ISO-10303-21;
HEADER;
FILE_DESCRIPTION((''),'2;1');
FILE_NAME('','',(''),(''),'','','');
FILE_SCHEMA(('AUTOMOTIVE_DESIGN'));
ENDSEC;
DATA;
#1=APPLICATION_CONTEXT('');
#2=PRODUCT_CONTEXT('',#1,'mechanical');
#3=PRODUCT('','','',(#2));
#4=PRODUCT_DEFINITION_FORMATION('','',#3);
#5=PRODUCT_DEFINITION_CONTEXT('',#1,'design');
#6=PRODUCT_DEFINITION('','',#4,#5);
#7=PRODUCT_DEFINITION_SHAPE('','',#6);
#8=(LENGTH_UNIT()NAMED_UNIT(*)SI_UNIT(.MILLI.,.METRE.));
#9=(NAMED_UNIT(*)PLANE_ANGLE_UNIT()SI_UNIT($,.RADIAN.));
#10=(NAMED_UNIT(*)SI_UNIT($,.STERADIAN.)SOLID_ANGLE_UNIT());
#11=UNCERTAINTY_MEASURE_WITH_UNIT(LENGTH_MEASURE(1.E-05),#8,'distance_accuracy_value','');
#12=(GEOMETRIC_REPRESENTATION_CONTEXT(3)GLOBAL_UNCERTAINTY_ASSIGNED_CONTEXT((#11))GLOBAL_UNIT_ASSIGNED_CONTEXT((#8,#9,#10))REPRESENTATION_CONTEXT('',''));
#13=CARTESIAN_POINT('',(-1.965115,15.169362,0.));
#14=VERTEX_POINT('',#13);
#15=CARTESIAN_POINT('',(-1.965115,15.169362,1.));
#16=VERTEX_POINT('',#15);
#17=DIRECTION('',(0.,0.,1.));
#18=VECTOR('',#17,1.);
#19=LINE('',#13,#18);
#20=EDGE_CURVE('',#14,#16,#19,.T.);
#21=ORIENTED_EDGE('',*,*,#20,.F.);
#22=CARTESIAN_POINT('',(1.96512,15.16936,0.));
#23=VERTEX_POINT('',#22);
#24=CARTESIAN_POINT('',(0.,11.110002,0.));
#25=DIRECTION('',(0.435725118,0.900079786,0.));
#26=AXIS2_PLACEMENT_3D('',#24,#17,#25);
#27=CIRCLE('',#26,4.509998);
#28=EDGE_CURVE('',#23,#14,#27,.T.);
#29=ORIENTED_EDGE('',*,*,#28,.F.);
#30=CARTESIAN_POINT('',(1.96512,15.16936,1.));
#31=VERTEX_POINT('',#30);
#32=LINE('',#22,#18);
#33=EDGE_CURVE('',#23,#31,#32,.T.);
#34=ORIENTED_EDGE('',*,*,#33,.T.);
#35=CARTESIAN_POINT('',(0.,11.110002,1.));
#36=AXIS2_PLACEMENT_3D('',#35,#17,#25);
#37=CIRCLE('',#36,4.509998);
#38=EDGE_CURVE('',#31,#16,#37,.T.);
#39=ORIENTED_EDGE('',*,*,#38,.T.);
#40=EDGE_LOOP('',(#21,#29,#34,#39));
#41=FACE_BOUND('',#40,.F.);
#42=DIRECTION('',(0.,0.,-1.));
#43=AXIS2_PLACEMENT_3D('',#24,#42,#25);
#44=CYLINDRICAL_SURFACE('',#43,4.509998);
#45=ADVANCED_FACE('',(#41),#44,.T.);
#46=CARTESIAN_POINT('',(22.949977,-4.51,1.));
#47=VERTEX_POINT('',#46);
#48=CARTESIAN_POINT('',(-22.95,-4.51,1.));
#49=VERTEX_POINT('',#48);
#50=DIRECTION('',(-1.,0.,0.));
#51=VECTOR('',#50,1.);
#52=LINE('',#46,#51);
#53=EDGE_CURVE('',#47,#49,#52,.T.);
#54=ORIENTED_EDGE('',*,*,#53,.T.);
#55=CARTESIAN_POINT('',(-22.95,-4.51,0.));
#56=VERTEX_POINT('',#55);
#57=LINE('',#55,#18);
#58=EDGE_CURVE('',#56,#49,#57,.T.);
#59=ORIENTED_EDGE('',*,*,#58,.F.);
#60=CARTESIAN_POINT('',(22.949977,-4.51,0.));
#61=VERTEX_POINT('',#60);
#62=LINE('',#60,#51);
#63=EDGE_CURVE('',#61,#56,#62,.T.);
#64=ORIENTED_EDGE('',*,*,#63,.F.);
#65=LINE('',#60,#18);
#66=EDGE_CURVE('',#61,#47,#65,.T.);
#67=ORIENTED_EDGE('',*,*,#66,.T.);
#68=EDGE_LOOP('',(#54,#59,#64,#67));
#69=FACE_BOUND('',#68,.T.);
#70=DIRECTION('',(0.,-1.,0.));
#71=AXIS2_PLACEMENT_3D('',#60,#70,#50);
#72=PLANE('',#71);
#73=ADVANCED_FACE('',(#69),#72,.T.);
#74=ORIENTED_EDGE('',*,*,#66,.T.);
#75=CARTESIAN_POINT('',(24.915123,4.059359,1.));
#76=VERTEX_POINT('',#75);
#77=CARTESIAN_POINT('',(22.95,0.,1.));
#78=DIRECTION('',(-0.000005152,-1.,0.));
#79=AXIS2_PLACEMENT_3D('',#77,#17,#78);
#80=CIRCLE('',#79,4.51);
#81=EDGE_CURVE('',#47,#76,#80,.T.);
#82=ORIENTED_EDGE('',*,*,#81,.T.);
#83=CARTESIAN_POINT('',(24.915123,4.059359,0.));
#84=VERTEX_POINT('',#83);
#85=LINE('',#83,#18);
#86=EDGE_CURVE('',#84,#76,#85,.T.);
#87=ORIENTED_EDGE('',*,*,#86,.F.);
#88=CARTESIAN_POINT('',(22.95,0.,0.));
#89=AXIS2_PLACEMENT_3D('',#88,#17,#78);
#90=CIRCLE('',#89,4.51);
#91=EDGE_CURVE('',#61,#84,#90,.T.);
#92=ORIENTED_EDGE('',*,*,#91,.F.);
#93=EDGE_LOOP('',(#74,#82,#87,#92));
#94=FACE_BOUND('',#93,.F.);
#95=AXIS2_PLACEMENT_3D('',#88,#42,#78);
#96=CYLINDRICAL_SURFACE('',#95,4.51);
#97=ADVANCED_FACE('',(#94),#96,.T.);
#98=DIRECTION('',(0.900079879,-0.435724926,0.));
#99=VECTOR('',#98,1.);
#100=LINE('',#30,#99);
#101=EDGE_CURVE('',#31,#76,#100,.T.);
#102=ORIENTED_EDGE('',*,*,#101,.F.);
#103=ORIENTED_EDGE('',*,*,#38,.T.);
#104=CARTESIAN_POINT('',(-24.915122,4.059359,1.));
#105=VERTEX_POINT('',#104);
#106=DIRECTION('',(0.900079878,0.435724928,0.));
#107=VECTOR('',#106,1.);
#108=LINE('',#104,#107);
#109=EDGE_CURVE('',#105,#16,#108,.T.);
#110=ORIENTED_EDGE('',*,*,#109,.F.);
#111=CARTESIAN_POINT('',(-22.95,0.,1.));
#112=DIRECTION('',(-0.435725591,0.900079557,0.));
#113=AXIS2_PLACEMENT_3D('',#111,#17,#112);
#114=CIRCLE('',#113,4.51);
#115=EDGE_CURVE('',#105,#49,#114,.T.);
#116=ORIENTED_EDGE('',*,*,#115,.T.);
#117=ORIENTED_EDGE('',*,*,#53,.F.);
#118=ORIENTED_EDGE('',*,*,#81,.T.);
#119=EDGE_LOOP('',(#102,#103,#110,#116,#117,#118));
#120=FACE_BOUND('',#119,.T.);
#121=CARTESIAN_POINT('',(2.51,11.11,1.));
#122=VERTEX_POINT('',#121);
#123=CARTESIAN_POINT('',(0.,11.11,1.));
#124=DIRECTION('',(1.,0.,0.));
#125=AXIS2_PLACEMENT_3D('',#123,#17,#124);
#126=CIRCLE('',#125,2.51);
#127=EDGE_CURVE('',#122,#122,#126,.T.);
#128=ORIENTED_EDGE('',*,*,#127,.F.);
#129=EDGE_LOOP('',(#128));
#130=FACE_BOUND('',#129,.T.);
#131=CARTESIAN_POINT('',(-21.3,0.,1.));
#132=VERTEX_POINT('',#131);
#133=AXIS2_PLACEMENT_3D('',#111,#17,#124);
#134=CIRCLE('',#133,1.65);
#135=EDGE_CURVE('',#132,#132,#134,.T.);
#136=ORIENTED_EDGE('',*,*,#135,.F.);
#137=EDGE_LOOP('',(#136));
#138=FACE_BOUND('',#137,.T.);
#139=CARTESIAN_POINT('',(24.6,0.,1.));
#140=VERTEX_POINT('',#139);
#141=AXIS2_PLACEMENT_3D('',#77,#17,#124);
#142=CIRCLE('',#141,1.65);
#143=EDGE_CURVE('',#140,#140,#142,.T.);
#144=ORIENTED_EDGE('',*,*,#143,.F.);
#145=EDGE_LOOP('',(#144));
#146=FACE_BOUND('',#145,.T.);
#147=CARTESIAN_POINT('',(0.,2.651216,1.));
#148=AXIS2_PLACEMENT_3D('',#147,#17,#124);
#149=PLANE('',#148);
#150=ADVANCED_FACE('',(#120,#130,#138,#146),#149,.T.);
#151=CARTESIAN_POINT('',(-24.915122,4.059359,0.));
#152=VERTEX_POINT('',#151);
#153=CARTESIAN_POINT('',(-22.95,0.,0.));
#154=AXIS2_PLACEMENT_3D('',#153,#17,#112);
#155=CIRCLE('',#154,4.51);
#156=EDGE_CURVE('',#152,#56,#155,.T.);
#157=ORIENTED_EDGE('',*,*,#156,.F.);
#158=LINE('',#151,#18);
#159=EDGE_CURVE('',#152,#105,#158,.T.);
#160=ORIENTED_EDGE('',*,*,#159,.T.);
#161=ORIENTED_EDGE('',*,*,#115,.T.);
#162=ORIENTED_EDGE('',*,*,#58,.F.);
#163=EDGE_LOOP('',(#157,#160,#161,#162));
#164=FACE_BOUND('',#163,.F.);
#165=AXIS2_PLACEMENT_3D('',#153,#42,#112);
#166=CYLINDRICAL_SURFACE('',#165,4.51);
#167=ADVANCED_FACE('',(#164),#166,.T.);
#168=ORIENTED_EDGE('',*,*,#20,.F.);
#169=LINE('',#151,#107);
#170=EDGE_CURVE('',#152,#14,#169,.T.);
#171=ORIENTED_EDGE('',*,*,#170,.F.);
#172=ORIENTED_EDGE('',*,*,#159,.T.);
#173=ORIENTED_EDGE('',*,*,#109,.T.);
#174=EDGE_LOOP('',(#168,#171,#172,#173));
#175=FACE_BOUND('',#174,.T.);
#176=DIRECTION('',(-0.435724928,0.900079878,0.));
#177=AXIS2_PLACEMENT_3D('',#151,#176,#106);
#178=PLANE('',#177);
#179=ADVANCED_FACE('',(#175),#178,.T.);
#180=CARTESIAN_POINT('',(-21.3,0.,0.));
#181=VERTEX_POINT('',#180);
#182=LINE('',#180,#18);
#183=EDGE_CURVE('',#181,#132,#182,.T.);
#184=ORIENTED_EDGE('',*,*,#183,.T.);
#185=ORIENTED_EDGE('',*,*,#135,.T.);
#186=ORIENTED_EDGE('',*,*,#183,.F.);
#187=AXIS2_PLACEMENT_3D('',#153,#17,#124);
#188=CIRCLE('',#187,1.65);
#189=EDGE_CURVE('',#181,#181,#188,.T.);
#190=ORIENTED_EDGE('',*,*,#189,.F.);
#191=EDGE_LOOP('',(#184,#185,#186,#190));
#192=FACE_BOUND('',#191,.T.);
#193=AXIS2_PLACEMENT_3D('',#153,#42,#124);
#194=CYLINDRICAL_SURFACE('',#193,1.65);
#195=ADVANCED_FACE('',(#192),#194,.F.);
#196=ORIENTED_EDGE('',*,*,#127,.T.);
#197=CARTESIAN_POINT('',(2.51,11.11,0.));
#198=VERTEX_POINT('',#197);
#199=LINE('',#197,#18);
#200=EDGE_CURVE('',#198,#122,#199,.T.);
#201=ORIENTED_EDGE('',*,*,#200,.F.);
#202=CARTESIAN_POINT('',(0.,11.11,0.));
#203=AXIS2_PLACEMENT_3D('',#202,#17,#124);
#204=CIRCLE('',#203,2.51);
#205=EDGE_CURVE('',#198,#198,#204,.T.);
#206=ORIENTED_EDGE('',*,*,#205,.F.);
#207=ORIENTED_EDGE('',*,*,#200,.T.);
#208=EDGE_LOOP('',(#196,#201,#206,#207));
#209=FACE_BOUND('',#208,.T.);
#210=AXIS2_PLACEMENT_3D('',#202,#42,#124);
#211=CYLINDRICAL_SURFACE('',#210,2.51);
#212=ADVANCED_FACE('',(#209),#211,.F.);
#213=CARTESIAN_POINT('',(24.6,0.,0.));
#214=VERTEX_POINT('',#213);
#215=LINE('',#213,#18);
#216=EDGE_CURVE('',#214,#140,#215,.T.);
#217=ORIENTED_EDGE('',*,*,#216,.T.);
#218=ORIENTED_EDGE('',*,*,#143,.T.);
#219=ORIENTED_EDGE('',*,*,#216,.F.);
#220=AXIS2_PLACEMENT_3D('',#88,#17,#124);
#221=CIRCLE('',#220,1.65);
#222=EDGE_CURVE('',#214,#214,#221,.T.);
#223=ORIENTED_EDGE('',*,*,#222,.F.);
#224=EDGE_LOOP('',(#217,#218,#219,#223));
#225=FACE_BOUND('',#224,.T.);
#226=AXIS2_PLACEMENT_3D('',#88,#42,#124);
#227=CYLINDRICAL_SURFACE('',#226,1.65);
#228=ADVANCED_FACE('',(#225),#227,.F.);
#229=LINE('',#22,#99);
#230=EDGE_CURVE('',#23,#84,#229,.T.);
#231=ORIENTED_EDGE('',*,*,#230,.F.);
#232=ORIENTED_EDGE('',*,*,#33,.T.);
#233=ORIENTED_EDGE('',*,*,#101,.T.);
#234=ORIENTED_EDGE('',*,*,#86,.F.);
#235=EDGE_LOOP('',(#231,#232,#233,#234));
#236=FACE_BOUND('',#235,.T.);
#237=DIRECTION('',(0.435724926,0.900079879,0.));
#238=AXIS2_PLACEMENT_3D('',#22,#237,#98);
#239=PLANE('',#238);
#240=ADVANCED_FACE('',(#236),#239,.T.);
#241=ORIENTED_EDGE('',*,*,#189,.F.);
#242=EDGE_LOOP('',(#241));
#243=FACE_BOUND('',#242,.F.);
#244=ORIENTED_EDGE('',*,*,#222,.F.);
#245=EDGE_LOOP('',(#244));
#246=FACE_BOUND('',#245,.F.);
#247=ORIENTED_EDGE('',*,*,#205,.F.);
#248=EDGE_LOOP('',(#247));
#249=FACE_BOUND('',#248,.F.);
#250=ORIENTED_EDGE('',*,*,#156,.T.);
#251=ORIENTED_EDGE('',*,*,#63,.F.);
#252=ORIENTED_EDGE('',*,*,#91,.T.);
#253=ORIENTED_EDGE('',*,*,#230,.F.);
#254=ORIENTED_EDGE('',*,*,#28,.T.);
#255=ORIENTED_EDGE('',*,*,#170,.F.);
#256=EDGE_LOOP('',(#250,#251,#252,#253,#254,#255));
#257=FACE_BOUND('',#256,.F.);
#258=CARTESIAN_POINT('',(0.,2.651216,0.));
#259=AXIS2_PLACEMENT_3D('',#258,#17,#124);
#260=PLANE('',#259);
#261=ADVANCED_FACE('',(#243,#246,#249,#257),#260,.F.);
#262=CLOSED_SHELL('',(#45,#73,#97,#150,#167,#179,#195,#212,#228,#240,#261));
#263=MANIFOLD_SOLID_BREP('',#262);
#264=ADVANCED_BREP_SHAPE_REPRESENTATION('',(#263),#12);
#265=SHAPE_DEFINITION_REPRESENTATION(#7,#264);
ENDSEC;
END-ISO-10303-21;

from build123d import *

# Parameters (mm, degrees)
SKETCH_R   = 1.65
SKETCH_R_2 = 2.51
PAD_DEPTH  = 1


with BuildPart() as part:
    # Sketch → Pad (new body)
    with BuildSketch(Plane.XY):
        with BuildLine():
            ThreePointArc((-24.915122, 4.059359), (-27.345896, -1.008065), (-22.95, -4.51))
            Line((22.949977, -4.51), (-22.95, -4.51))
            ThreePointArc((22.949977, -4.51), (27.345894, -1.008077), (24.915123, 4.059359))
            Line((1.96512, 15.16936), (24.915123, 4.059359))
            ThreePointArc((1.96512, 15.16936), (2e-06, 15.62), (-1.965115, 15.169362))
            Line((-24.915122, 4.059359), (-1.965115, 15.169362))
        make_face()
        with Locations((-22.95, 0)):
            Circle(SKETCH_R, mode=Mode.SUBTRACT)
        with Locations((22.95, 0)):
            Circle(SKETCH_R, mode=Mode.SUBTRACT)
        with Locations((0, 11.11)):
            Circle(SKETCH_R_2, mode=Mode.SUBTRACT)
    extrude(amount=PAD_DEPTH)


solid = part.part
